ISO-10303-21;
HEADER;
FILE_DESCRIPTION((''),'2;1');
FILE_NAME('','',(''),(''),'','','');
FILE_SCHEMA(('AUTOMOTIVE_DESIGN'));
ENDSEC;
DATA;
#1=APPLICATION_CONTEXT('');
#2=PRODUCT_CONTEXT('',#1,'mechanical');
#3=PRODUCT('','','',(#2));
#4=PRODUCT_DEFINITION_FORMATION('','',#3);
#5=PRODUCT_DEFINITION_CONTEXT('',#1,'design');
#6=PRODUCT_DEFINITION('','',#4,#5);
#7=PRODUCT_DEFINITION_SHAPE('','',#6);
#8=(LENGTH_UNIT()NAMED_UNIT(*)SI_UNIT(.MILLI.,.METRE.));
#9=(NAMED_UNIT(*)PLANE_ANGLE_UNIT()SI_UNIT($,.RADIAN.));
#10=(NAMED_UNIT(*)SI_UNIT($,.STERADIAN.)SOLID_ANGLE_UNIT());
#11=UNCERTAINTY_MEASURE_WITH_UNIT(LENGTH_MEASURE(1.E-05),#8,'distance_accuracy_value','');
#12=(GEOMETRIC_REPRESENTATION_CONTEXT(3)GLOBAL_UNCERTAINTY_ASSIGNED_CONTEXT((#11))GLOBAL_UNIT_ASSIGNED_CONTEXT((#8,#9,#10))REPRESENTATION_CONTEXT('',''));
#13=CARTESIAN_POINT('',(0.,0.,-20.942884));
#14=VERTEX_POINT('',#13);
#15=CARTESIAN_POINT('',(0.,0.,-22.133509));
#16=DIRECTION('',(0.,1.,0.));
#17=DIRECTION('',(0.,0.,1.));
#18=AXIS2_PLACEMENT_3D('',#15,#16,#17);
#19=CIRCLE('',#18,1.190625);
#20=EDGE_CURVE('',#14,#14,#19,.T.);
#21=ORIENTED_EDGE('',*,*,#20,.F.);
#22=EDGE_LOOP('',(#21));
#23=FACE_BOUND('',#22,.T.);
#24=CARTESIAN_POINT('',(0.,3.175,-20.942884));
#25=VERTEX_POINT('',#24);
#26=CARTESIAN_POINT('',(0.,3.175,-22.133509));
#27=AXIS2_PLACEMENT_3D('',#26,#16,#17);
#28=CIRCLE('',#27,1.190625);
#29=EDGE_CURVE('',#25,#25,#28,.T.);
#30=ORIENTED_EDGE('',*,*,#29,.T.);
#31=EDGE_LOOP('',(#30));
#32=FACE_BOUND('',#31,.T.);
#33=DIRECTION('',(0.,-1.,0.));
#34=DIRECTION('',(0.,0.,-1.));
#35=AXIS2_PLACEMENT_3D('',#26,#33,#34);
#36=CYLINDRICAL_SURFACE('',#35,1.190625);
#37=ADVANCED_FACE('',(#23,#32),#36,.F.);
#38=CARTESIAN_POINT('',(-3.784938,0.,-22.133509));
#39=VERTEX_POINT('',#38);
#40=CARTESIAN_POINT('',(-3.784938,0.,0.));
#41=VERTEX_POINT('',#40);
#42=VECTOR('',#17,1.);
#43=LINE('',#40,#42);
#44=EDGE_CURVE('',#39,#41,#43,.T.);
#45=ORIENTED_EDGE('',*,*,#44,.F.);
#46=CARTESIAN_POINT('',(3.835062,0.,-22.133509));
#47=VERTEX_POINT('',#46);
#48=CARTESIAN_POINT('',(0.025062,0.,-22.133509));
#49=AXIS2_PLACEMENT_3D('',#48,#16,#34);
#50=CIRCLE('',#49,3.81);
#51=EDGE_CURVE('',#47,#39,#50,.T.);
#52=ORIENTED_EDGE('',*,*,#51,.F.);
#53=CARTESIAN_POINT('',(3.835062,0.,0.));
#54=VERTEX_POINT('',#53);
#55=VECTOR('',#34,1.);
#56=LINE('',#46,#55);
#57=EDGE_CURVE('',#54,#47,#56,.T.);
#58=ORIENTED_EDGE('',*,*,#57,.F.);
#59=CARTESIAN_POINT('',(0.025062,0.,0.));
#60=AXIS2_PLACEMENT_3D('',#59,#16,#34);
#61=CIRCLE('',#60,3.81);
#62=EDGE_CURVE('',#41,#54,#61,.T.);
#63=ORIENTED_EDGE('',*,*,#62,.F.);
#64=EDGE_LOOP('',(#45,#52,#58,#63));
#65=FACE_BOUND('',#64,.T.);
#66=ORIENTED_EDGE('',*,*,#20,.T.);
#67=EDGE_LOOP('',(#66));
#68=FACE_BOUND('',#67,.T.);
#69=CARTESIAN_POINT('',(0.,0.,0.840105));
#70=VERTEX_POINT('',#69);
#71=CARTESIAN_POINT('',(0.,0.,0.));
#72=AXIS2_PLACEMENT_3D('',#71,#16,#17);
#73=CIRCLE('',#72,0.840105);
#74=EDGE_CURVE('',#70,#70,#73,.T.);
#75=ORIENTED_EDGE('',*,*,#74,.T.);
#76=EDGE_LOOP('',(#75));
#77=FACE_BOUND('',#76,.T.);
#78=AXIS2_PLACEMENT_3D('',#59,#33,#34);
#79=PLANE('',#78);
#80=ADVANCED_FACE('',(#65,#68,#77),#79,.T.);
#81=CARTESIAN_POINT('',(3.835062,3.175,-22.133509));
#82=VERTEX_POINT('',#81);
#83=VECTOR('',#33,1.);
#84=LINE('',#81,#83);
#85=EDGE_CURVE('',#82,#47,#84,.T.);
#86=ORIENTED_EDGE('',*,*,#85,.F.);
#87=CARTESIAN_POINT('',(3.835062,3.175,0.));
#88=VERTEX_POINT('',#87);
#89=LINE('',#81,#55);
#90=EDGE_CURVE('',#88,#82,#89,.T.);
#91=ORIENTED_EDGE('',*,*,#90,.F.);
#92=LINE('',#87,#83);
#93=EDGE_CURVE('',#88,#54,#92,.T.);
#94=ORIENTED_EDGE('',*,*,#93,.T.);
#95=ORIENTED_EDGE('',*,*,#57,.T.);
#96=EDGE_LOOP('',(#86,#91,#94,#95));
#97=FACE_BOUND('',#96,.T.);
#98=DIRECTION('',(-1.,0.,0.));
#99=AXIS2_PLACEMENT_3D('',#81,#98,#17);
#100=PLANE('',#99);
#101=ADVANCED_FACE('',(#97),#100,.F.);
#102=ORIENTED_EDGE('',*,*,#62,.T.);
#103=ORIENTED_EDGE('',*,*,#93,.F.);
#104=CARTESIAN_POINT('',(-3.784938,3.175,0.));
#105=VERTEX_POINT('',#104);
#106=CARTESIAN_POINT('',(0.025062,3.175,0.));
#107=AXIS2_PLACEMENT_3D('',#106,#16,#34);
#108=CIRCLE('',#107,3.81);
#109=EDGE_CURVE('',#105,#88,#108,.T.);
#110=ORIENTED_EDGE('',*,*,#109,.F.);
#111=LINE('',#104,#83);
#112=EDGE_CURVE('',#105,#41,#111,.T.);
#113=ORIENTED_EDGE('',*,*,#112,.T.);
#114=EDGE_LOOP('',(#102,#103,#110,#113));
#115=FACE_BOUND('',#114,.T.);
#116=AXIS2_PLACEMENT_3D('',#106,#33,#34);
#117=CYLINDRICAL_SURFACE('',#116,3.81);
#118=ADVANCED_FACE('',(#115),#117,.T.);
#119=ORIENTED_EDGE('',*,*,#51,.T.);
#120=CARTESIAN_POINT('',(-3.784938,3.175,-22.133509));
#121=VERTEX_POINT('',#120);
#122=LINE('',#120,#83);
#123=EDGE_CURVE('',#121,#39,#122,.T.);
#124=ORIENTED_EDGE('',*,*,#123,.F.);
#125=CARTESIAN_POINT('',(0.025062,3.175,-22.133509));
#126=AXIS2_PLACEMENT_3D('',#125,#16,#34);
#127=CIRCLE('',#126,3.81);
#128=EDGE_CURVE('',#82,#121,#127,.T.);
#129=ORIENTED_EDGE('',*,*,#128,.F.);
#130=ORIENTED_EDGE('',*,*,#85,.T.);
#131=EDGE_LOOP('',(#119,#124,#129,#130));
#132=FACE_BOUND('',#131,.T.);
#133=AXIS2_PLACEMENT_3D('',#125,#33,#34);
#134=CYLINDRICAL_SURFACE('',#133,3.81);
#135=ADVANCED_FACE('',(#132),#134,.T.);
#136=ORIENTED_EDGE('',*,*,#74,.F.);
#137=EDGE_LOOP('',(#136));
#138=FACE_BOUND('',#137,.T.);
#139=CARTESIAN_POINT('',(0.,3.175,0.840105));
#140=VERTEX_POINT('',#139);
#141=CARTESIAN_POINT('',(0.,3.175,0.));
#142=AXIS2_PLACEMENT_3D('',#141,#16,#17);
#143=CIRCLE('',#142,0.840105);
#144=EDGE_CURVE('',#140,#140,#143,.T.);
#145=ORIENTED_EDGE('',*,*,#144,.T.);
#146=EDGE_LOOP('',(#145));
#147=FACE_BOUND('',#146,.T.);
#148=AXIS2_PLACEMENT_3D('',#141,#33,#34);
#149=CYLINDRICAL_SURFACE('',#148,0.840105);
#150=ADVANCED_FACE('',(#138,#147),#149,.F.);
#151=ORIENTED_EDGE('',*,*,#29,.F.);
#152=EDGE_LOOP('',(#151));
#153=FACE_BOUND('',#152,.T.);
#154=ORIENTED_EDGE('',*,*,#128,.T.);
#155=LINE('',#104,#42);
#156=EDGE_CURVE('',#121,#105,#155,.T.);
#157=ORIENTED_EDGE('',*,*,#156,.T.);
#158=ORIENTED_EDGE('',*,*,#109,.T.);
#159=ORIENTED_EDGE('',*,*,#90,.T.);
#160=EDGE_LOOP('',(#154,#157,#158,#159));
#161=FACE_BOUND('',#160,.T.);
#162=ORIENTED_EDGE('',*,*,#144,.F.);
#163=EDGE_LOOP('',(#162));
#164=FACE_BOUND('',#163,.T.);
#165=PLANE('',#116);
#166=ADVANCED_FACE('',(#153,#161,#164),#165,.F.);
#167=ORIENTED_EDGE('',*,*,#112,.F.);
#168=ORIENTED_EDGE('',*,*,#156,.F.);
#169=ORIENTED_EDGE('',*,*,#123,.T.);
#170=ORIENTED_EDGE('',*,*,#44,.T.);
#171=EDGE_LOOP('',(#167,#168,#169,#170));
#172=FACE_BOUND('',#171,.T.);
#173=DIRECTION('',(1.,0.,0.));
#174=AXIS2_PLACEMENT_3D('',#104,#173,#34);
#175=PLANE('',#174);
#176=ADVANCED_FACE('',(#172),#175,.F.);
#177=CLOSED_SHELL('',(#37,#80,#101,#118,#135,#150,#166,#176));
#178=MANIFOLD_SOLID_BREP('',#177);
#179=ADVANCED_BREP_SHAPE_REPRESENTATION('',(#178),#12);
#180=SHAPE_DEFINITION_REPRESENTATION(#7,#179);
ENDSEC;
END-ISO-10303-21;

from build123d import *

# Parameters (mm, degrees)
SKETCH1_R           = 1.190625
SKETCH1_R_2         = 0.840105
BOSS_EXTRUDE1_DEPTH = 3.175


with BuildPart() as part:
    # Sketch1 → Boss-Extrude1 (new body)
    with BuildSketch(Plane(origin=(0, 0, 0), x_dir=(1, 0, 0), z_dir=(0, 1, 0))):
        with BuildLine():
            Line((-3.78493816, 0), (-3.78493816, 22.1335092))
            ThreePointArc((-3.78493816, 22.1335092), (0.02506184, 25.9435092), (3.83506184, 22.1335092))
            Line((3.83506184, 22.1335092), (3.83506184, 0))
            ThreePointArc((3.83506184, 0), (0.02506184, -3.81), (-3.78493816, 0))
        make_face()
        with Locations((0, 22.1335092)):
            Circle(SKETCH1_R, mode=Mode.SUBTRACT)
        Circle(SKETCH1_R_2, mode=Mode.SUBTRACT)
    extrude(amount=BOSS_EXTRUDE1_DEPTH)


solid = part.part
